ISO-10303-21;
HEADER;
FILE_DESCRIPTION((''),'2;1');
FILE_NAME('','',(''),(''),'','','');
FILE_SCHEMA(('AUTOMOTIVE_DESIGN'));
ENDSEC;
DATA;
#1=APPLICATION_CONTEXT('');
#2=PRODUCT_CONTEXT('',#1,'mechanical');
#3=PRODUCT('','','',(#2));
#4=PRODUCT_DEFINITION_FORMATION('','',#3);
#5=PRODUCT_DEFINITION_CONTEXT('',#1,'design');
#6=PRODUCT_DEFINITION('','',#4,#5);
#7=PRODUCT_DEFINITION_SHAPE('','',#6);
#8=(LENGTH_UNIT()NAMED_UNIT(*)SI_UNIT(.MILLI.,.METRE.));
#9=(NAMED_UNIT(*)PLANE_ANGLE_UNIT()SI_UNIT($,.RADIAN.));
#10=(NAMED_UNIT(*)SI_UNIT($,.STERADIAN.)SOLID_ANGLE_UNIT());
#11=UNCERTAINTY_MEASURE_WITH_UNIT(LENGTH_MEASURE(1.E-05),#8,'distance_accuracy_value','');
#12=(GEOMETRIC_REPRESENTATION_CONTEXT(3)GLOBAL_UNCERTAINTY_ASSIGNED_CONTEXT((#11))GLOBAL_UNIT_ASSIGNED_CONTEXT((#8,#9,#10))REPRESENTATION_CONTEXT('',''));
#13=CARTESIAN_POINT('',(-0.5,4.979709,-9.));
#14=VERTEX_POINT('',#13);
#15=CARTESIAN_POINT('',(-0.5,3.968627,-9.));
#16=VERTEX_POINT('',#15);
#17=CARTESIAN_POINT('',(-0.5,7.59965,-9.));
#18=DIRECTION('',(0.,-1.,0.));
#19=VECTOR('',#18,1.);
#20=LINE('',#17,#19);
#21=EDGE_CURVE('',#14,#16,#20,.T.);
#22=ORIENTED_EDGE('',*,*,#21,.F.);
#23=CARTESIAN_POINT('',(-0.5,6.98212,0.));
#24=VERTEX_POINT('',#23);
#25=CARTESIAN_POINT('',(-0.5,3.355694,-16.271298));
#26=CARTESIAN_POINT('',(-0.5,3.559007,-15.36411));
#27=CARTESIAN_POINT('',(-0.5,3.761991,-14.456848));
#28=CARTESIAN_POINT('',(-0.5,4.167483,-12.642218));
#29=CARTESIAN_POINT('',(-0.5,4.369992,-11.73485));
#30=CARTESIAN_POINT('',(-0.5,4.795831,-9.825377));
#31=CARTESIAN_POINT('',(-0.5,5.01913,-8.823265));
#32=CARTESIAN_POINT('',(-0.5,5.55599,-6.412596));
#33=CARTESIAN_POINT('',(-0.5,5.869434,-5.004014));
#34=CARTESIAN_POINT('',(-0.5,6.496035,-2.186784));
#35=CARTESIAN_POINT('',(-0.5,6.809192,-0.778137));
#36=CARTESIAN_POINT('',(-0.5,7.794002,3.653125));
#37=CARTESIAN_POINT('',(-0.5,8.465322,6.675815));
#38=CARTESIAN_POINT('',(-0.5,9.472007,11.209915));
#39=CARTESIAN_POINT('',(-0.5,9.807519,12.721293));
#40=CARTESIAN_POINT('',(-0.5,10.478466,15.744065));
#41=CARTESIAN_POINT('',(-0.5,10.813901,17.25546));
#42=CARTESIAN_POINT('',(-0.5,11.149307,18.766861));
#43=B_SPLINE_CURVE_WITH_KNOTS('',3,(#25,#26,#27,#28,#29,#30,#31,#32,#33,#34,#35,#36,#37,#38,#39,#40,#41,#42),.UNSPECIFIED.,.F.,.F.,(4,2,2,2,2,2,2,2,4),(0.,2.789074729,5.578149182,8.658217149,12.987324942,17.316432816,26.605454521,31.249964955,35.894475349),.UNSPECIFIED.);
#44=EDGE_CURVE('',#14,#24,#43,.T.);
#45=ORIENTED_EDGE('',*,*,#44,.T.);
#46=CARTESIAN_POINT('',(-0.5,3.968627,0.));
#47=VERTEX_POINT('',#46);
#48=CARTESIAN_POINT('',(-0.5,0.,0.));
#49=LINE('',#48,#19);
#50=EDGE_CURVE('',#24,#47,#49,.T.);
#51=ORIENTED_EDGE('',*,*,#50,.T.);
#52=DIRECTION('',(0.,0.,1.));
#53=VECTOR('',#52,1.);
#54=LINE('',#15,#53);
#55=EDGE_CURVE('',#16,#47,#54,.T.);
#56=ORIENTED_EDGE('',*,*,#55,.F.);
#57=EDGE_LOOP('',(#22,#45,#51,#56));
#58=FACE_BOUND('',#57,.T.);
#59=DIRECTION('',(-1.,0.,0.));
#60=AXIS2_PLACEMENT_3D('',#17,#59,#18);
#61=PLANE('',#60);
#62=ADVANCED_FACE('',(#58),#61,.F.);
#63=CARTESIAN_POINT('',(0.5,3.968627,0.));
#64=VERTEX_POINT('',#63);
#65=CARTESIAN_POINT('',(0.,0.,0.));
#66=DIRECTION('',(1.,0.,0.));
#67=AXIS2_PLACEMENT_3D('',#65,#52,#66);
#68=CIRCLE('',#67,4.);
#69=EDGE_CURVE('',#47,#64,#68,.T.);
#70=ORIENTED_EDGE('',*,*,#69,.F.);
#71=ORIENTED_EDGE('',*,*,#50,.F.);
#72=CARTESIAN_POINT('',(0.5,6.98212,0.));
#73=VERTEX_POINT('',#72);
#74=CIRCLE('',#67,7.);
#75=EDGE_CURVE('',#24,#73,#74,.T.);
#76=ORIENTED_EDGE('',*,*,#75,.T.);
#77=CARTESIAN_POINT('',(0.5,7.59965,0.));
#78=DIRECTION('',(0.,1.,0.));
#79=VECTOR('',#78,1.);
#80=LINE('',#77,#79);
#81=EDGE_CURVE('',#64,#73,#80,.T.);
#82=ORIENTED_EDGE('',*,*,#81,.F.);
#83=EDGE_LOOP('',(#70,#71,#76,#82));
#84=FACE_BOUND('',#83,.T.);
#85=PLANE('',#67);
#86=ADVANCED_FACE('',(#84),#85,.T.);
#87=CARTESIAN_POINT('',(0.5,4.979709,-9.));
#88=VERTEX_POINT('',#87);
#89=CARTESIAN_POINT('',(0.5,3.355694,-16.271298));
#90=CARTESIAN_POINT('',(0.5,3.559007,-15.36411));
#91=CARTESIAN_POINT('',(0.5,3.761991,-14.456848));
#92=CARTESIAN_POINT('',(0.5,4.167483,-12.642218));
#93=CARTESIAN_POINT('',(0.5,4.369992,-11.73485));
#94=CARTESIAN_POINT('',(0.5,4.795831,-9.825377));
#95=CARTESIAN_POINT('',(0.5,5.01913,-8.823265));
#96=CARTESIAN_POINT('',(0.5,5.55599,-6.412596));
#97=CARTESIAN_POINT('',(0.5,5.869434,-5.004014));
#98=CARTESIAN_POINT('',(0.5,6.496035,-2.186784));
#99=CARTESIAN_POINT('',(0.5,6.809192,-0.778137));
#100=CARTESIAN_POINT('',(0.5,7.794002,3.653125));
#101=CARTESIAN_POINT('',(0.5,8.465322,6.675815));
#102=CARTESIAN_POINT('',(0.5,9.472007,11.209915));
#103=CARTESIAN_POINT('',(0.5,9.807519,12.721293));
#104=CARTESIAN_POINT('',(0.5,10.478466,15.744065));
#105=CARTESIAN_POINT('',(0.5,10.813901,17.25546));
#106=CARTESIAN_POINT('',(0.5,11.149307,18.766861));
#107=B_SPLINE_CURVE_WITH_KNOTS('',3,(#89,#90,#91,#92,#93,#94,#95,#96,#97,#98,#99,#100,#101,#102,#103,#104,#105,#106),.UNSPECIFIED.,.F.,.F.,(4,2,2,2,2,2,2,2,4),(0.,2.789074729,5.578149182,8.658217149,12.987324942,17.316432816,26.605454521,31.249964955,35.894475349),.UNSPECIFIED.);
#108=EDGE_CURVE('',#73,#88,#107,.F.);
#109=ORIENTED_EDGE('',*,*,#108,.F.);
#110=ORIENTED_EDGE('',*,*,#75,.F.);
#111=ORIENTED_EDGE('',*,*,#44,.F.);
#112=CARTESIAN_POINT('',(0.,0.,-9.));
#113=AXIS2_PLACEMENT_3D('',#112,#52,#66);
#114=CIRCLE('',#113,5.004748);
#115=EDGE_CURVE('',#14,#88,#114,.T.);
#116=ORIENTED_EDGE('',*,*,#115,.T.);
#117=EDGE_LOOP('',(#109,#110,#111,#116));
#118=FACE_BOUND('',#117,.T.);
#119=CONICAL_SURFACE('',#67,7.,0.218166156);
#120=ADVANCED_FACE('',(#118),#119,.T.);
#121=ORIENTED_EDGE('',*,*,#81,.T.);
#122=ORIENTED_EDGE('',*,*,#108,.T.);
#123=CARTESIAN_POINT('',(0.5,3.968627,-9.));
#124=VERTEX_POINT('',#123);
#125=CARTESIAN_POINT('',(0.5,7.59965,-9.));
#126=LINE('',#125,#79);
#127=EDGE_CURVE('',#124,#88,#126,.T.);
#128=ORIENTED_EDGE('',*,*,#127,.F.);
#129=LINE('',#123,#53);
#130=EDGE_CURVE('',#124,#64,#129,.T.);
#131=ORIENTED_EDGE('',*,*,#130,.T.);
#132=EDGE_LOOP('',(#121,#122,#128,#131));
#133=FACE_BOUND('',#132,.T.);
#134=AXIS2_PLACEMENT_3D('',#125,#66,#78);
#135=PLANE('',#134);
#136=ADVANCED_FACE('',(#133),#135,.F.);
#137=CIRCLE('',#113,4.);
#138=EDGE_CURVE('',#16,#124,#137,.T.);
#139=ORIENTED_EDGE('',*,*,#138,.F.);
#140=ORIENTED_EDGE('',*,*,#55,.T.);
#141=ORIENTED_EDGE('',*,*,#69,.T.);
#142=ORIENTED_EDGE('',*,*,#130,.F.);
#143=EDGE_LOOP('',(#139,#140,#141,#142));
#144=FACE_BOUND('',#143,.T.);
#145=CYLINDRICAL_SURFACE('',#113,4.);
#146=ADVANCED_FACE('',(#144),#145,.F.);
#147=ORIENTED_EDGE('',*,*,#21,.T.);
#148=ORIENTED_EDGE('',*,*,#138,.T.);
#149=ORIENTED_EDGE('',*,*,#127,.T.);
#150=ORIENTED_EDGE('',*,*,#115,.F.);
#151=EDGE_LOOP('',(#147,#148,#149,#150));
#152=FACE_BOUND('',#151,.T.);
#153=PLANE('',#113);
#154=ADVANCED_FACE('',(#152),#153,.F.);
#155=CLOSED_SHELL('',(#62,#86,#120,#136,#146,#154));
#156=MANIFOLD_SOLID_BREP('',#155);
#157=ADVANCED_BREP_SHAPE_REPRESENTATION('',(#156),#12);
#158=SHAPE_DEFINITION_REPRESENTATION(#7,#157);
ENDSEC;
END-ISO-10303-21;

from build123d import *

# Parameters (mm, degrees)
ESQUISSE1_R             = 7
BASE_EXTRUSION_DEPTH    = 9
BASE_EXTRUSION_DRAFT    = -12.5
ENL_V_MAT_EXTRU_2_DEPTH = 14.37908816


with BuildPart() as part:
    # Esquisse1 → Base-Extrusion (with draft: the straight prism first)
    with BuildSketch(Plane.XY):
        Circle(ESQUISSE1_R)
    extrude(amount=-BASE_EXTRUSION_DEPTH)
    # Base-Extrusion: the draft: its side faces are tilted about the plane it starts from
    base_extrusion_sides = [part.faces().sort_by_distance(p)[0] for p in [
        (-7, 0, -4.5),
    ]]
    draft(base_extrusion_sides, Plane.XY, BASE_EXTRUSION_DRAFT)

    # Esquisse5 → Enlèv. mat.-Extru.2 (cut, through all)
    with BuildSketch(Plane.XY):
        with BuildLine():
            Line((-0.5, 7.599649669), (0.5, 7.599649669))
            Line((0.5, 7.599649669), (0.5, 3.968626967))
            ThreePointArc((0.5, 3.968626967), (0, -4), (-0.5, 3.968626967))
            Line((-0.5, 3.968626967), (-0.5, 7.599649669))
        make_face()
    extrude(amount=-ENL_V_MAT_EXTRU_2_DEPTH, mode=Mode.SUBTRACT)


solid = part.part
